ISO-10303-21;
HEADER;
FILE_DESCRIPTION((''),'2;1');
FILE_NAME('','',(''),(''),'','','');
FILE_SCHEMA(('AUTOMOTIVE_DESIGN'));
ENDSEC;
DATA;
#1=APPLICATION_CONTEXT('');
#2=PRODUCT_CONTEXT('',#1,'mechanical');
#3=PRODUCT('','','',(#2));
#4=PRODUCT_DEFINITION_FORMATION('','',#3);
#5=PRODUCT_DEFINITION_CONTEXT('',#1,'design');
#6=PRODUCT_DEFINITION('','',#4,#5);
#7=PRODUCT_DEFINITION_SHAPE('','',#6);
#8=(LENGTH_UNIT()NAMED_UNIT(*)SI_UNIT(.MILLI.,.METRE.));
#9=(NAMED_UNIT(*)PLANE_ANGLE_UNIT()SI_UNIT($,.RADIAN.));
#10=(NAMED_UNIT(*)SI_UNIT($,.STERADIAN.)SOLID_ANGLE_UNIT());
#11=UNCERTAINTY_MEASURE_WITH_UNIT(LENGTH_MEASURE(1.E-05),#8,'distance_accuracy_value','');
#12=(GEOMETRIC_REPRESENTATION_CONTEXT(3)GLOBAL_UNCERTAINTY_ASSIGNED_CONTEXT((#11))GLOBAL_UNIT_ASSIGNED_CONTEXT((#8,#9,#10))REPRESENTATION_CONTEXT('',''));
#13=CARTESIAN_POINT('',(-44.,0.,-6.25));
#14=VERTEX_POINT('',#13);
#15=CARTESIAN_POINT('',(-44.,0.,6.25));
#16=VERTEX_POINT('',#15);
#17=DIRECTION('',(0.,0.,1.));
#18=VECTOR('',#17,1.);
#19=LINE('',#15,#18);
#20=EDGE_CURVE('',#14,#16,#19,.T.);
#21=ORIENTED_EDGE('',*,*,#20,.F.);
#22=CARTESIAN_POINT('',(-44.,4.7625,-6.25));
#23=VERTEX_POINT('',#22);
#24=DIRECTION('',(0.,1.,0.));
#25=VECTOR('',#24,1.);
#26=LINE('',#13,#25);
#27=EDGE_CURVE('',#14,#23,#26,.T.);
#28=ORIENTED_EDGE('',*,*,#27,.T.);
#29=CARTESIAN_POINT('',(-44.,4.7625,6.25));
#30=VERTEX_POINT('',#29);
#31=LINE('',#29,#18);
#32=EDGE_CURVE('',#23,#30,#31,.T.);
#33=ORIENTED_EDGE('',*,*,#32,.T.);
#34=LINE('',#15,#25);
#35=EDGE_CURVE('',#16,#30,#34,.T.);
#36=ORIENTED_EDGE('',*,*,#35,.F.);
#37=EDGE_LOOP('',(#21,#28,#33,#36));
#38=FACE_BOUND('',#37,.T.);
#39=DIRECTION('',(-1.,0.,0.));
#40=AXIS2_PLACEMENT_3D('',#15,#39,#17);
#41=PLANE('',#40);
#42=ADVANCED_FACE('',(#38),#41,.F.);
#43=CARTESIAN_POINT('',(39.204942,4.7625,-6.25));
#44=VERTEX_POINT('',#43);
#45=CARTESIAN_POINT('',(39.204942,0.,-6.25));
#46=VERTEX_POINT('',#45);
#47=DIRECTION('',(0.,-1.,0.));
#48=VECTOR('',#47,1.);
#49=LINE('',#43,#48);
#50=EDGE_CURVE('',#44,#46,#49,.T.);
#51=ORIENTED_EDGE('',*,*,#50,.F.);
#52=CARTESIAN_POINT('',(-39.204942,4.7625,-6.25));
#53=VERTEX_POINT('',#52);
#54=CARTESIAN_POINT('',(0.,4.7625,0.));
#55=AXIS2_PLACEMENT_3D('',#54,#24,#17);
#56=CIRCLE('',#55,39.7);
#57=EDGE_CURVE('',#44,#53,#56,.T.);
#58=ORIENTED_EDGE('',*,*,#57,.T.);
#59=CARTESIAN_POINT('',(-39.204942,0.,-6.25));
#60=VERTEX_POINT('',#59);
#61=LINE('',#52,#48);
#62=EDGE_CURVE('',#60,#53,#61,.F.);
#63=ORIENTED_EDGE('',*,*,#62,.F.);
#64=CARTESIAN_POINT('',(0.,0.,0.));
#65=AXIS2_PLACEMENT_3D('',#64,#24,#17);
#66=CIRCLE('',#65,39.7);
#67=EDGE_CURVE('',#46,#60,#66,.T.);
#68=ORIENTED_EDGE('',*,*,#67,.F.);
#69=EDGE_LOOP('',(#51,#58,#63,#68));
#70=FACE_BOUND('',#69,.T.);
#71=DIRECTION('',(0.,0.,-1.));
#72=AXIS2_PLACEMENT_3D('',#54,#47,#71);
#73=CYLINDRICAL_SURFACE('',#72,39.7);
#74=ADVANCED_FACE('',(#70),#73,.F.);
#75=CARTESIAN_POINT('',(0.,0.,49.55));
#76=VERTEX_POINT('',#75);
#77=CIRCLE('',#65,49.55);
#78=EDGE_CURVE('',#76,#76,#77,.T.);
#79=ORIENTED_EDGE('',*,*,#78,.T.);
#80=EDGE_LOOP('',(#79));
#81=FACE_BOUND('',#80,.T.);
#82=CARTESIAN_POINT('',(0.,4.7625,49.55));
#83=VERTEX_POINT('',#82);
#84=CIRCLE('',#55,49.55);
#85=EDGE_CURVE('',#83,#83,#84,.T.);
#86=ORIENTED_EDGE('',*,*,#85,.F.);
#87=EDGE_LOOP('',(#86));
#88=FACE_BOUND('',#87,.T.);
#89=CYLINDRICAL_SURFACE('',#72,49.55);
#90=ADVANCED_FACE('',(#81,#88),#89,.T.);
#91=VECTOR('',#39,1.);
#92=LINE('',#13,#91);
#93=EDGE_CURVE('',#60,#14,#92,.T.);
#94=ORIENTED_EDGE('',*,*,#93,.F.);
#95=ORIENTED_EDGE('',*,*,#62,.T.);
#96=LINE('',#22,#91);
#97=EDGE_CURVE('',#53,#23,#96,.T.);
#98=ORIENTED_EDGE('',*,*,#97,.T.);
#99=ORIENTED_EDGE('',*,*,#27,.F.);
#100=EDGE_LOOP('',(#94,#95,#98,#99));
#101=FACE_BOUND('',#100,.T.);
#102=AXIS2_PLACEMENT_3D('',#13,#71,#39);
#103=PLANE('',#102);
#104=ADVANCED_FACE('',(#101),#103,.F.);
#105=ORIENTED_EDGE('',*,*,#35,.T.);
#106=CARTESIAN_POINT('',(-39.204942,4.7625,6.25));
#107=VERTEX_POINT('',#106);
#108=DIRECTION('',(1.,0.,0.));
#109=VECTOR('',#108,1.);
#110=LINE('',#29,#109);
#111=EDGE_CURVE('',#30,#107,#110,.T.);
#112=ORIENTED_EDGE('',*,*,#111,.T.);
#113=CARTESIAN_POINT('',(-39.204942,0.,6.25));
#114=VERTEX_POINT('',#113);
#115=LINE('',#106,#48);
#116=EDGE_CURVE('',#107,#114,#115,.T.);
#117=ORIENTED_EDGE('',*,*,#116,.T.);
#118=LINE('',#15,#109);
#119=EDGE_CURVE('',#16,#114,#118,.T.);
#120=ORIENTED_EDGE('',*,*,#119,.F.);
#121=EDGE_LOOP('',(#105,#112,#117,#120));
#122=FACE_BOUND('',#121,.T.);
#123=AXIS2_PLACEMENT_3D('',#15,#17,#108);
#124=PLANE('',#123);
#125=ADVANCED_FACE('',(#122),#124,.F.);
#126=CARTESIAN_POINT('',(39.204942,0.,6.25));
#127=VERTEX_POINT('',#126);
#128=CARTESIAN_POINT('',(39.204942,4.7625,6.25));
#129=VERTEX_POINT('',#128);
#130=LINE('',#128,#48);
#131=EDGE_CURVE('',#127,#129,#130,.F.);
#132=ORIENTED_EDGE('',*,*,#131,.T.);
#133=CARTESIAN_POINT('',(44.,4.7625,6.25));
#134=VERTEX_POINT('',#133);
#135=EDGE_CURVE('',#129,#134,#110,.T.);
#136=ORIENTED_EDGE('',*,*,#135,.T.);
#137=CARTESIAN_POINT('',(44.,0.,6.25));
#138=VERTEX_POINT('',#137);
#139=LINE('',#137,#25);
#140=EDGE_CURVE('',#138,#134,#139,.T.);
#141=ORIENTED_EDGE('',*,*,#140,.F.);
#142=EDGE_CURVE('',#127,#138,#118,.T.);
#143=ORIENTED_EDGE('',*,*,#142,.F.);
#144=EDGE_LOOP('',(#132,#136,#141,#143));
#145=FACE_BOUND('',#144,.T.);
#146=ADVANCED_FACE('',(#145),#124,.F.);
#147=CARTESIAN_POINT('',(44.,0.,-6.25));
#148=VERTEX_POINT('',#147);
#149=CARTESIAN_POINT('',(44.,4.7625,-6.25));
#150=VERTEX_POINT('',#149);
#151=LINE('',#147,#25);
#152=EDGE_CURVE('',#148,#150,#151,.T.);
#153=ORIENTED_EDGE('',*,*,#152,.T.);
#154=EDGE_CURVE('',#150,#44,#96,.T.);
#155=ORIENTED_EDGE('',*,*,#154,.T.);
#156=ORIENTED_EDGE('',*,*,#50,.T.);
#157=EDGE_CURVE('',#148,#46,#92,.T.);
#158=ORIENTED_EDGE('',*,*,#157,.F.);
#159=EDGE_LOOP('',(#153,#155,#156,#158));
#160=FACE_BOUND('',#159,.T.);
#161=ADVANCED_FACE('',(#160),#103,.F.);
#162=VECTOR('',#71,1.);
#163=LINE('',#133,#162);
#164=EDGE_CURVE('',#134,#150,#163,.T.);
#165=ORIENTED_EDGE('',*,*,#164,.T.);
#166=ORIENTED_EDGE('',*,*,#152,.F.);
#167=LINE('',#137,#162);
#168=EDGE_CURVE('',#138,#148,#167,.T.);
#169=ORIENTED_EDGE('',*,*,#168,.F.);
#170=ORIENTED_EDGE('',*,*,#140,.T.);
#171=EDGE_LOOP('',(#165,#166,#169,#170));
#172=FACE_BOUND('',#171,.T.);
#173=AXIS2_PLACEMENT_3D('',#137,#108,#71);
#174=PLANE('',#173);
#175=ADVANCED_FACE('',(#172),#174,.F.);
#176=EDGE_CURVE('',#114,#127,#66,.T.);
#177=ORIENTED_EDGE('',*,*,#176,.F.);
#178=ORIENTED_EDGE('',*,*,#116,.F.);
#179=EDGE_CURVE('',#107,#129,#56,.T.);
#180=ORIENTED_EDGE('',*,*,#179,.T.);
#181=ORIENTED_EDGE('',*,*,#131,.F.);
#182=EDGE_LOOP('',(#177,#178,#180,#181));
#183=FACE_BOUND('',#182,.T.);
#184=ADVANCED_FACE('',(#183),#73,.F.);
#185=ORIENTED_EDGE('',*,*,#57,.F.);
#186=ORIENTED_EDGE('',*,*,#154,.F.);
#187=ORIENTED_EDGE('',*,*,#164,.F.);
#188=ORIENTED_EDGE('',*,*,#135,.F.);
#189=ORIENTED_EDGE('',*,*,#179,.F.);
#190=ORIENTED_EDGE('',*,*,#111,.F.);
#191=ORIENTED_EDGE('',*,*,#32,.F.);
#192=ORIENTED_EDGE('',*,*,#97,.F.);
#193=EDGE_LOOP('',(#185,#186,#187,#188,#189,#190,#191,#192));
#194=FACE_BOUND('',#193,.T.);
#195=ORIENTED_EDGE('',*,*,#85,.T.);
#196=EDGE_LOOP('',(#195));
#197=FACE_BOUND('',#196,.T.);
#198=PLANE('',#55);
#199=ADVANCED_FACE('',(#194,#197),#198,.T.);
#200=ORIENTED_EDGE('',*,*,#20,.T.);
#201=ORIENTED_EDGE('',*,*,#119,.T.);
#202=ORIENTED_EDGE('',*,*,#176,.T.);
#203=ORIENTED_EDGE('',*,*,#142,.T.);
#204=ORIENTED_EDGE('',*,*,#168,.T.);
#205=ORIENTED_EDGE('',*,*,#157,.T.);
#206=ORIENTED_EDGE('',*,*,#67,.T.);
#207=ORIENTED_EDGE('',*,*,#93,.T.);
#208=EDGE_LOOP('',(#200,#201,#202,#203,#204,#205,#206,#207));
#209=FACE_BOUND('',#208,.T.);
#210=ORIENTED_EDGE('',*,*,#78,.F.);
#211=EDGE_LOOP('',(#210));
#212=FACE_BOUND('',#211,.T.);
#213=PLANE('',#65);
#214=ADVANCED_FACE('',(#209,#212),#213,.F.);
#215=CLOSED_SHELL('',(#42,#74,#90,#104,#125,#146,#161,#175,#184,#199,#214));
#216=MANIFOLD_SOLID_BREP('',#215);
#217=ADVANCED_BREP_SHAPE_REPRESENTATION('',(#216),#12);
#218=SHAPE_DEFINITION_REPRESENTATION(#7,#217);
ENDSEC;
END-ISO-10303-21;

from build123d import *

# Parameters (mm, degrees)
SKETCH2_R           = 49.55
SKETCH2_R_2         = 39.7
BOSS_EXTRUDE1_DEPTH = 4.7625
SKETCH3_W           = 88
SKETCH3_H           = 12.5
CUT_EXTRUDE1_DEPTH  = 5.7625


with BuildPart() as part:
    # Sketch2 → Boss-Extrude1 (new body)
    with BuildSketch(Plane(origin=(0, 0, 0), x_dir=(1, 0, 0), z_dir=(0, 1, 0))):
        Circle(SKETCH2_R)
        Circle(SKETCH2_R_2, mode=Mode.SUBTRACT)
    extrude(amount=BOSS_EXTRUDE1_DEPTH)

    # Sketch3 → Cut-Extrude1 (cut, through all)
    with BuildSketch(Plane(origin=(0, 4.7625, 0), x_dir=(1, 0, 0), z_dir=(0, 1, 0))):
        Rectangle(SKETCH3_W, SKETCH3_H)
    extrude(amount=-CUT_EXTRUDE1_DEPTH, mode=Mode.SUBTRACT)


solid = part.part
